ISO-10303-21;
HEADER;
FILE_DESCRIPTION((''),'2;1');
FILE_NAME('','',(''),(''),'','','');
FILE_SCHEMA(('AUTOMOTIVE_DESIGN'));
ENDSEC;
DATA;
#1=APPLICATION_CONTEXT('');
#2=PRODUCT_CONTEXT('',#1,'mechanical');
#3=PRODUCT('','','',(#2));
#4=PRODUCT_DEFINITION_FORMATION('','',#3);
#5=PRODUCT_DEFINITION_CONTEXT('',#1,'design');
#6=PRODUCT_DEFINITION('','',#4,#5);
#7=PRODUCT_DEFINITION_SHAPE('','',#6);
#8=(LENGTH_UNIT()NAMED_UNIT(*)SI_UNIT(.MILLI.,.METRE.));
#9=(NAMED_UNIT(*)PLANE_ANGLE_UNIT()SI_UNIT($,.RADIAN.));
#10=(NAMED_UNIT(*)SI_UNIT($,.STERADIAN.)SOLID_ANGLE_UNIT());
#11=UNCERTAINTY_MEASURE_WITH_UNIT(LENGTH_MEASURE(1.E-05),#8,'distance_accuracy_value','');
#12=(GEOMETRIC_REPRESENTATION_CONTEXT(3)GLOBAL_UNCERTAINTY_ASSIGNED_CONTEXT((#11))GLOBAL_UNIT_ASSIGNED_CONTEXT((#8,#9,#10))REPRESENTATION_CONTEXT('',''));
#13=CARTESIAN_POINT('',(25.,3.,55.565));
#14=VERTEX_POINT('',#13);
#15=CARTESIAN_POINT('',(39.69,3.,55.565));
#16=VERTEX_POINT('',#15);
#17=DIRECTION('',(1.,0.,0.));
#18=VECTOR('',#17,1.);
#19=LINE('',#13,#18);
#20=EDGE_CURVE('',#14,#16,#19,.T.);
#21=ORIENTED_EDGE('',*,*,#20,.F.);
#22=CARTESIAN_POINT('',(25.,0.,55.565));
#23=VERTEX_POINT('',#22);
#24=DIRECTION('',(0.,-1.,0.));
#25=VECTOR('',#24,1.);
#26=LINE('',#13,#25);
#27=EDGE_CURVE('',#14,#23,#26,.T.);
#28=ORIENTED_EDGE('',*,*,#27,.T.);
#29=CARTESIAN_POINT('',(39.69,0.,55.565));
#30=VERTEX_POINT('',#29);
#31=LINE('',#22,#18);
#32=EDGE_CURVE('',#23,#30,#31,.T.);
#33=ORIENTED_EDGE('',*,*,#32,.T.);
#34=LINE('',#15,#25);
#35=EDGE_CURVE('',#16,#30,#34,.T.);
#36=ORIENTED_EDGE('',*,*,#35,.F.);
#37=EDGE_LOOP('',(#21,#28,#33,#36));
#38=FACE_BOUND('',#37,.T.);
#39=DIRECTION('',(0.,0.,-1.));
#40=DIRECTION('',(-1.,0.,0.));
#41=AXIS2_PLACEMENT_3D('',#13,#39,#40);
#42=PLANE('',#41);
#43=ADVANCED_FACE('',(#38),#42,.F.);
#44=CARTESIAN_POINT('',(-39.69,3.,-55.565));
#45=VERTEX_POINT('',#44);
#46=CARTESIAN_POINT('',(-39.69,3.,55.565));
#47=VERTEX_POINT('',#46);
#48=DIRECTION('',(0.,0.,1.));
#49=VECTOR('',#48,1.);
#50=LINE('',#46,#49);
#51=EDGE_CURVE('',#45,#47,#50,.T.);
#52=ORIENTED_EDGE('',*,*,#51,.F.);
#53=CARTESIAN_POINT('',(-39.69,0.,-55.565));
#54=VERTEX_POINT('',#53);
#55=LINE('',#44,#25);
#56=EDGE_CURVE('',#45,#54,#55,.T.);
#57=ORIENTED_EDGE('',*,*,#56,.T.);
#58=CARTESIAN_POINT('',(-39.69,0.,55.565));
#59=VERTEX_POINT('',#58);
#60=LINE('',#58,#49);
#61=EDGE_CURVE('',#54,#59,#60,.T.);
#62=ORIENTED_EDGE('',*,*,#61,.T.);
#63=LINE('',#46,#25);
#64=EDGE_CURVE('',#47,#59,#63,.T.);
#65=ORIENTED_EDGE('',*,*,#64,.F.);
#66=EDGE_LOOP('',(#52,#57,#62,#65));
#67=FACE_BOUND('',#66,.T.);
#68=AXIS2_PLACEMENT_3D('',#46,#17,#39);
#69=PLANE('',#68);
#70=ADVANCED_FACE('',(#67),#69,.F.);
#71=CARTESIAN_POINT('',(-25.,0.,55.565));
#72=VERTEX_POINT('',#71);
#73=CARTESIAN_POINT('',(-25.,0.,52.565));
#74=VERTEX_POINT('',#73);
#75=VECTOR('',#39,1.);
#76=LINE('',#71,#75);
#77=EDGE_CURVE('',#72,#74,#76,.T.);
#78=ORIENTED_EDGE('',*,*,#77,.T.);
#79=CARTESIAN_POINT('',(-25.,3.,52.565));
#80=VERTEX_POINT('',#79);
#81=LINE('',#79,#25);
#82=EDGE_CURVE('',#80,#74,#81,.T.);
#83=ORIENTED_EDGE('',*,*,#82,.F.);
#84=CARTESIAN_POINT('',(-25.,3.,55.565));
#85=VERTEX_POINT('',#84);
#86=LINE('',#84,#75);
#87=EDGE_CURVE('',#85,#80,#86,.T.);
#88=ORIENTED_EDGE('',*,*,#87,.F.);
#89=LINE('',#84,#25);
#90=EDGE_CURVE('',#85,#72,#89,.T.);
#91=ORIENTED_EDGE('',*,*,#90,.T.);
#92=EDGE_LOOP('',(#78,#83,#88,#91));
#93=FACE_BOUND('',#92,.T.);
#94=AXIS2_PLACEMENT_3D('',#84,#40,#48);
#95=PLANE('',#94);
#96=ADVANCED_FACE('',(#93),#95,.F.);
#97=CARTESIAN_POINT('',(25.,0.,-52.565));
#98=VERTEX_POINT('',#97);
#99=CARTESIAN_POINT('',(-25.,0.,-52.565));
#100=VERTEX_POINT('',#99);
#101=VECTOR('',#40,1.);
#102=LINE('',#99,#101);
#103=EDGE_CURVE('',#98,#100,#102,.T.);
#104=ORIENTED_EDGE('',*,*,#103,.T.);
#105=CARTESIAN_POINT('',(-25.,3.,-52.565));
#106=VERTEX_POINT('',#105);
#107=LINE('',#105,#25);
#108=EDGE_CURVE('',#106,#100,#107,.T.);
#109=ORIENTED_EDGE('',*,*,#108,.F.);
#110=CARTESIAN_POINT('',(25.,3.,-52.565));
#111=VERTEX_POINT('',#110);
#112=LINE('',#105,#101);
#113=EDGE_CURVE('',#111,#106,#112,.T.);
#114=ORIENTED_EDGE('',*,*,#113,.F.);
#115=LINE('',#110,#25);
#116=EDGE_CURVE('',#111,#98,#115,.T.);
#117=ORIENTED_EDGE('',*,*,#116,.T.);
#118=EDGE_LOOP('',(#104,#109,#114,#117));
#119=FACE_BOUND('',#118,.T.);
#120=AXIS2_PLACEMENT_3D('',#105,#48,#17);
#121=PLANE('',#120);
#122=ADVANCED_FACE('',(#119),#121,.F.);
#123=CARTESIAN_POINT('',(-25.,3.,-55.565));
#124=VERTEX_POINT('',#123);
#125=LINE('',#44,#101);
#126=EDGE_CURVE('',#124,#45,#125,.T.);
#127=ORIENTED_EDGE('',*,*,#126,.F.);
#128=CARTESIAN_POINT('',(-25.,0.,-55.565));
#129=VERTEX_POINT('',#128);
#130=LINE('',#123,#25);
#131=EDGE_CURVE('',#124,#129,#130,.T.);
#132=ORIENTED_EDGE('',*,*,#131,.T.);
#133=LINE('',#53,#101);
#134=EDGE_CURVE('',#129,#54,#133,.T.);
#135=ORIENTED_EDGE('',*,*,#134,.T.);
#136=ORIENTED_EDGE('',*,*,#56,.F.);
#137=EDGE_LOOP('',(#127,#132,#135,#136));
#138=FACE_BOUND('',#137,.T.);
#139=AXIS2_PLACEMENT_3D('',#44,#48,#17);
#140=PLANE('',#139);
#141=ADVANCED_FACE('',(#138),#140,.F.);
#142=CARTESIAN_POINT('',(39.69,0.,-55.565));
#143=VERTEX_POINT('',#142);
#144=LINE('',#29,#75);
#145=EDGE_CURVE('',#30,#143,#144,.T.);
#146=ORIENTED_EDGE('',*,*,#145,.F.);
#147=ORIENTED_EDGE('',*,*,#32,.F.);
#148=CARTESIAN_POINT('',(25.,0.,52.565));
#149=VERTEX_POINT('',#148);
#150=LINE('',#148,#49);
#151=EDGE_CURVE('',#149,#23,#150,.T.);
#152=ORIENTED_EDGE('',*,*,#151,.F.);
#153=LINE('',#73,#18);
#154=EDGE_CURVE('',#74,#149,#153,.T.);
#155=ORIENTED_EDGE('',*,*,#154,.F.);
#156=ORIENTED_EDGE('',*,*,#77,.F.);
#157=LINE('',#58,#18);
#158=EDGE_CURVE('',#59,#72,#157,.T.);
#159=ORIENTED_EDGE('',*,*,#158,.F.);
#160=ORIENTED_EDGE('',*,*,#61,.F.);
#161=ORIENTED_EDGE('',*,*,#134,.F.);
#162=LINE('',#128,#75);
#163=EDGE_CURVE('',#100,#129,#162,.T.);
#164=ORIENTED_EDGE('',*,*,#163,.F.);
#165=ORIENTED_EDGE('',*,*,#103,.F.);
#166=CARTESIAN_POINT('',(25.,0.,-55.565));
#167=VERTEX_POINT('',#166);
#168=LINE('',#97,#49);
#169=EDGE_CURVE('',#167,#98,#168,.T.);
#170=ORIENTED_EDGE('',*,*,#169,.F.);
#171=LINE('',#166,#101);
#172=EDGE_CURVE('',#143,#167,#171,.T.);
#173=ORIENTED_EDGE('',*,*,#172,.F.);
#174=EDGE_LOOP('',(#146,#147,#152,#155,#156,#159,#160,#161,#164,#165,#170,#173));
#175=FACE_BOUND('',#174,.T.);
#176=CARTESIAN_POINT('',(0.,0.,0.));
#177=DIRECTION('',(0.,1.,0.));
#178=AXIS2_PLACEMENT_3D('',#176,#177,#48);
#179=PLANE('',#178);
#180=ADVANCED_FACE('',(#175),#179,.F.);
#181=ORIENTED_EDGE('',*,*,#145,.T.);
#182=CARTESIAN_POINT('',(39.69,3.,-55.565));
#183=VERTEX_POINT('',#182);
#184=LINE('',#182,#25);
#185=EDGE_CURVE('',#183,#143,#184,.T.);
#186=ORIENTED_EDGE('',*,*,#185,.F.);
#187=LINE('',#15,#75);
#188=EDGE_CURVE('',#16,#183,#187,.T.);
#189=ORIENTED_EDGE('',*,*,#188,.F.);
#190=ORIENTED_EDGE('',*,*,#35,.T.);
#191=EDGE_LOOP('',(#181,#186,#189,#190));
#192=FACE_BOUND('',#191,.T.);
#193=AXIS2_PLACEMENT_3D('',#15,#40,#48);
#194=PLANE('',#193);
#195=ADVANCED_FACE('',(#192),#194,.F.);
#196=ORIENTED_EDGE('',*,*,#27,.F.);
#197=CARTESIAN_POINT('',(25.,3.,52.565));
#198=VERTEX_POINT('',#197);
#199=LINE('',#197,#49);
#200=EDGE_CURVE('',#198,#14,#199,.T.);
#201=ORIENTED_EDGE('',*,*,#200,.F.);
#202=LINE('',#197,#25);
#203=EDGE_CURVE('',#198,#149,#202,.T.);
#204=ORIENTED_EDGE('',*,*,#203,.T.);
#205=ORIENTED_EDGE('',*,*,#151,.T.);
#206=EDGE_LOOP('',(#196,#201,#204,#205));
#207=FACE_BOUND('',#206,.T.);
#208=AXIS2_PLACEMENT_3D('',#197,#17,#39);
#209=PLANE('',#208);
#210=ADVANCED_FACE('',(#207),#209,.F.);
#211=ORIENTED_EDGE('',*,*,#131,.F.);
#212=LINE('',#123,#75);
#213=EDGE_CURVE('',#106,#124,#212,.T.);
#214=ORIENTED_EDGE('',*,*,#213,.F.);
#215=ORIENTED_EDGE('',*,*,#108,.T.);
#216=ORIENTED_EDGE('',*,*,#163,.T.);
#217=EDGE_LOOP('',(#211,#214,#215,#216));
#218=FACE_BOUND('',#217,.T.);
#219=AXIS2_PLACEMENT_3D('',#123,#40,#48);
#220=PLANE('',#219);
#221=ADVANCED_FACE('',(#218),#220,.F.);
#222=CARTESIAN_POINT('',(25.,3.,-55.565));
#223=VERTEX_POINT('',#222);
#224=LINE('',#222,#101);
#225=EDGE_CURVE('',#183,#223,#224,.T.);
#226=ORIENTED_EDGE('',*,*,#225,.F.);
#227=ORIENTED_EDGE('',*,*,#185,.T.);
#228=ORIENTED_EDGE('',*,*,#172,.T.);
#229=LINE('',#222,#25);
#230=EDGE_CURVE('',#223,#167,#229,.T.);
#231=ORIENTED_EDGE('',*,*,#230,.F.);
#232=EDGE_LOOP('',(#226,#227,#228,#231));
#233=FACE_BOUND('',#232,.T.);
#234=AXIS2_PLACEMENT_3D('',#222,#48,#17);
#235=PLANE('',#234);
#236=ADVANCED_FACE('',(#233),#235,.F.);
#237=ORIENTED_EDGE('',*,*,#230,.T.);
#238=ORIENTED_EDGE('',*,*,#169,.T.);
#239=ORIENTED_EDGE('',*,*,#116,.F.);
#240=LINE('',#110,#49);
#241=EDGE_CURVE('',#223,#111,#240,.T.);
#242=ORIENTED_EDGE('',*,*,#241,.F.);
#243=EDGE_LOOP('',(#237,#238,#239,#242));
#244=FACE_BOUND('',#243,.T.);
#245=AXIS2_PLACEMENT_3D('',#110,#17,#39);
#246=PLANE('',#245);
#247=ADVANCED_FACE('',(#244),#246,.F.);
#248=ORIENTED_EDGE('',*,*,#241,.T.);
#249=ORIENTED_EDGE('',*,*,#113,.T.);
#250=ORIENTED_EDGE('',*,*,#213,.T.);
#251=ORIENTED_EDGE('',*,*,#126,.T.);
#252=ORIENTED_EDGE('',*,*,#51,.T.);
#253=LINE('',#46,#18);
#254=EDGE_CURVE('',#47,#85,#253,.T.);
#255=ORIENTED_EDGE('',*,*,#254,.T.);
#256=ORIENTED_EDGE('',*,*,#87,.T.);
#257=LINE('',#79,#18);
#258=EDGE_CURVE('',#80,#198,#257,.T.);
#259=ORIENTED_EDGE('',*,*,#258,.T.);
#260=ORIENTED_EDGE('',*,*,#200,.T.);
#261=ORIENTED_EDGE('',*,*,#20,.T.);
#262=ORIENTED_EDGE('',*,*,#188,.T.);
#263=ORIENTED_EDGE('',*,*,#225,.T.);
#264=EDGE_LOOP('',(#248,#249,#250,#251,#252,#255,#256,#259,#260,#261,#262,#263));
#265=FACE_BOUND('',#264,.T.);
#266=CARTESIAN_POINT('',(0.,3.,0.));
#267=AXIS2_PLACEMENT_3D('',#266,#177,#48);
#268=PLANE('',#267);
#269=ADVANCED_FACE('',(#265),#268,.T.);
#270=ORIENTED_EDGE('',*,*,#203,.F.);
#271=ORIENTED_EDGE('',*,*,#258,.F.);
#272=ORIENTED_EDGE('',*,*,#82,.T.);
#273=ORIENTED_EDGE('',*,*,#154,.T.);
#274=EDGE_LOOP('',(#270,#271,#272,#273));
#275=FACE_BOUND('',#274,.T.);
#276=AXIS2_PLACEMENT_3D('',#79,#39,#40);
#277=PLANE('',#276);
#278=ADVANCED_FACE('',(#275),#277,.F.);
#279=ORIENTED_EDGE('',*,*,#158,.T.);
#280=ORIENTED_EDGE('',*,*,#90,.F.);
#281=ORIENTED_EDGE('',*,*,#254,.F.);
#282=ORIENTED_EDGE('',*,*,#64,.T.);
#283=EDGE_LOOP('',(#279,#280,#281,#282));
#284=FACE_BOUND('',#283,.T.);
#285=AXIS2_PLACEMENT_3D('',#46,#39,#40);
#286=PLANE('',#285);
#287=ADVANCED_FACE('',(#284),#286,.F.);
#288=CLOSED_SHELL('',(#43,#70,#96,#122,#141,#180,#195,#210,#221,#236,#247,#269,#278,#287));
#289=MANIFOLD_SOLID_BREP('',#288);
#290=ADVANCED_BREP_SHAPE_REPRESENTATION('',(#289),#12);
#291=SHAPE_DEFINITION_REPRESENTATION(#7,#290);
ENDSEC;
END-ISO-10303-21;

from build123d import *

# Parameters (mm, degrees)
BOSS_EXTRUDE1_DEPTH = 3


with BuildPart() as part:
    # Sketch1 → Boss-Extrude1 (new body)
    with BuildSketch(Plane(origin=(0, 0, 0), x_dir=(1, 0, 0), z_dir=(0, 1, 0))):
        Polygon((-39.69, -55.565), (-25, -55.565), (-25, -52.565), (25, -52.565), (25, -55.565), (39.69, -55.565), (39.69, 55.565), (25, 55.565), (25, 52.565), (-25, 52.565), (-25, 55.565), (-39.69, 55.565), align=None)
    extrude(amount=BOSS_EXTRUDE1_DEPTH)


solid = part.part
